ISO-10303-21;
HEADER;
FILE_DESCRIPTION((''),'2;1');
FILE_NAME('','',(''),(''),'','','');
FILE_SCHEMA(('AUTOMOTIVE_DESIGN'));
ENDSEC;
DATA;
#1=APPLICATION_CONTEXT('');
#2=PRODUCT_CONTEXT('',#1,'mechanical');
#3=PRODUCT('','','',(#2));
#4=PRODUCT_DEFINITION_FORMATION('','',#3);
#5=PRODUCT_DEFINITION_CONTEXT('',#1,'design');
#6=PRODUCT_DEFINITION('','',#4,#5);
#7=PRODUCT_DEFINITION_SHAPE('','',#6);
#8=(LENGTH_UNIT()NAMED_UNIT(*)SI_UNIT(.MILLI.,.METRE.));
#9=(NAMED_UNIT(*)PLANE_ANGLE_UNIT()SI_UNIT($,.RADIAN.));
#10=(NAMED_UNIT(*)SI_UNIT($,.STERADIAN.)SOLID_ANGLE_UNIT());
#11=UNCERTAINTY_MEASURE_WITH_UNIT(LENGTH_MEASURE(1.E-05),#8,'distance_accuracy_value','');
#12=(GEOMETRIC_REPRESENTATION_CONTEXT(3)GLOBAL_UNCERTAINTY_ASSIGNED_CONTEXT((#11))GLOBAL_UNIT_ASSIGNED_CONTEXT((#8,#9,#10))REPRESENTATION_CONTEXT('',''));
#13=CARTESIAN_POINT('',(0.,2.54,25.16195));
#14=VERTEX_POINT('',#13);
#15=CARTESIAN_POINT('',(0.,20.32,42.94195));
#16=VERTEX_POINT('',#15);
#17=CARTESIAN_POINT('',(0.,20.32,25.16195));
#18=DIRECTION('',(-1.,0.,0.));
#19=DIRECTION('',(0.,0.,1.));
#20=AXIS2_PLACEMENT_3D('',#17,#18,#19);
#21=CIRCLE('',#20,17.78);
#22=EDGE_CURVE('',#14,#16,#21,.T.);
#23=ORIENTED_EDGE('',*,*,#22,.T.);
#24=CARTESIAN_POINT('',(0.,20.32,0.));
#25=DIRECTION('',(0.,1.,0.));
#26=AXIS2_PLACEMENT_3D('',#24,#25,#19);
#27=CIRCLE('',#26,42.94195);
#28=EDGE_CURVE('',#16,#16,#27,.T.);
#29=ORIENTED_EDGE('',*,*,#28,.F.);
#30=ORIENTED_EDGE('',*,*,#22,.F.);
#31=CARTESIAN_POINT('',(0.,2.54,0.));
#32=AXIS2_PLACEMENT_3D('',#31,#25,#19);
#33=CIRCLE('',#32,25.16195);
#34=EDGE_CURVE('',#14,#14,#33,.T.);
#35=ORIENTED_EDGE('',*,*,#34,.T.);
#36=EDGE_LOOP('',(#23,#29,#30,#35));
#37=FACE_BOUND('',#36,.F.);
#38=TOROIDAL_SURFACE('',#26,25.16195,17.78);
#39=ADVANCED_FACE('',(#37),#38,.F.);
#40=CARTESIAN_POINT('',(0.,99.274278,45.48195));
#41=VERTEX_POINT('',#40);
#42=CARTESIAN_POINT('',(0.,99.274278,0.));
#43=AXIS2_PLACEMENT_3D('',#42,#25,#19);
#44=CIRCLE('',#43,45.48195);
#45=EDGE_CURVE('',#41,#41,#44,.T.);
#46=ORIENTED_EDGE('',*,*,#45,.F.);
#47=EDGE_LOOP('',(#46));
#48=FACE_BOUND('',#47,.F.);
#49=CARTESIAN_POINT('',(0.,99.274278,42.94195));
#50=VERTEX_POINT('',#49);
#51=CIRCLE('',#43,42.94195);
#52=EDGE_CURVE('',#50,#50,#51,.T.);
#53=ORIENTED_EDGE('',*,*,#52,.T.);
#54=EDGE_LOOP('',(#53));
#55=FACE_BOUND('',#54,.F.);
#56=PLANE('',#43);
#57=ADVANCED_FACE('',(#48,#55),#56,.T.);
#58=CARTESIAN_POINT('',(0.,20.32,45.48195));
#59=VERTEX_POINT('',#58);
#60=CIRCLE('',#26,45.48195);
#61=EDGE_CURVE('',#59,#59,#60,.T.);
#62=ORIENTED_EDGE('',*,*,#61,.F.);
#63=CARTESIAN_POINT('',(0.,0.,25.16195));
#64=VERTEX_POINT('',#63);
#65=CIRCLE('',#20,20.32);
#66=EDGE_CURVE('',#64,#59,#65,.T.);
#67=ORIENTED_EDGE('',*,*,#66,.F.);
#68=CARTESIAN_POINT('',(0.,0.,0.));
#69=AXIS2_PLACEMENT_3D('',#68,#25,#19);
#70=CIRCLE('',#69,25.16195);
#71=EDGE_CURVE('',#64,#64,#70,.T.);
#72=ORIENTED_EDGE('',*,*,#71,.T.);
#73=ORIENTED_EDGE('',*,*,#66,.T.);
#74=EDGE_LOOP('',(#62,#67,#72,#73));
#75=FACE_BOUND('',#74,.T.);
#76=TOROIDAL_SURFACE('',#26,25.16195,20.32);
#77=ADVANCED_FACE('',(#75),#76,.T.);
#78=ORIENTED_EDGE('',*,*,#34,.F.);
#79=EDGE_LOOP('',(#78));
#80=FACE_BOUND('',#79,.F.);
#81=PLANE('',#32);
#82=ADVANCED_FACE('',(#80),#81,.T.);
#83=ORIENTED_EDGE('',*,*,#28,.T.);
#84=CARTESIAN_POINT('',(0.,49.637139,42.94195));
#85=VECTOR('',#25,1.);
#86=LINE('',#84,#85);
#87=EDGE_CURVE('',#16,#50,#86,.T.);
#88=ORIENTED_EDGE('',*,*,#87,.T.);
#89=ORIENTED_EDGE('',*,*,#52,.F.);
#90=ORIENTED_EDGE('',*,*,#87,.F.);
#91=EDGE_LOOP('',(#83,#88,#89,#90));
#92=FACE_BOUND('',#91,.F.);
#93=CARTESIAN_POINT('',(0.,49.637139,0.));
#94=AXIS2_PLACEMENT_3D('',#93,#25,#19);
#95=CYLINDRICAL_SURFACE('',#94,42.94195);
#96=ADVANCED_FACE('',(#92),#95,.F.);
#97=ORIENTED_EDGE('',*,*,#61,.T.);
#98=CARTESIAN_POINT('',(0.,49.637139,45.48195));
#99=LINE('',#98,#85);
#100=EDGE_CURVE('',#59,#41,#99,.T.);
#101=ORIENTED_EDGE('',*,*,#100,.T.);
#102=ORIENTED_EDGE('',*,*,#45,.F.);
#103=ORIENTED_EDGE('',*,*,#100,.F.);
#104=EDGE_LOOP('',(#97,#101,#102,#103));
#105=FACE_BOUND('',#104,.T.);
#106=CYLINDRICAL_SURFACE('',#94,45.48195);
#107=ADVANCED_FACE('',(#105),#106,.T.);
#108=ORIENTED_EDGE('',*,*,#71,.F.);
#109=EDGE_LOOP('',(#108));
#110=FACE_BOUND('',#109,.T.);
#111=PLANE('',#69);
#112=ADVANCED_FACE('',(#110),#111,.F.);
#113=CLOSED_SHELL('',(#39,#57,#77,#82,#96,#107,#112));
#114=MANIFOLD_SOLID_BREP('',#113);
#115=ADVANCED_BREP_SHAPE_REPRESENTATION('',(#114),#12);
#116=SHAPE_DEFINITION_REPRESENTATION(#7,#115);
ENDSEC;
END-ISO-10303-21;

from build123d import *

# Parameters (mm, degrees)
F0_W = 99.274278
F0_H = 45.48195
F2_R = 20.32
F3_T = -2.54


with BuildPart() as f1:
    # F0 (on Right) → F1 (revolve)
    with BuildSketch(Plane.YZ):
        with Locations((49.637139, 22.740975)):
            Rectangle(F0_W, F0_H)
    revolve(axis=Axis((0, 49.637139, 0), (0, 1, 0)))

    # F2
    f2_edges = [f1.edges().sort_by_distance(p)[0] for p in [
        (0, 0, -45.48195),
    ]]
    fillet(f2_edges, radius=F2_R)

    # F3
    f3_openings = [f1.faces().sort_by_distance(p)[0] for p in [
        (0, 99.274278, 0),
    ]]
    offset(amount=F3_T, openings=f3_openings)


solid = f1.part
